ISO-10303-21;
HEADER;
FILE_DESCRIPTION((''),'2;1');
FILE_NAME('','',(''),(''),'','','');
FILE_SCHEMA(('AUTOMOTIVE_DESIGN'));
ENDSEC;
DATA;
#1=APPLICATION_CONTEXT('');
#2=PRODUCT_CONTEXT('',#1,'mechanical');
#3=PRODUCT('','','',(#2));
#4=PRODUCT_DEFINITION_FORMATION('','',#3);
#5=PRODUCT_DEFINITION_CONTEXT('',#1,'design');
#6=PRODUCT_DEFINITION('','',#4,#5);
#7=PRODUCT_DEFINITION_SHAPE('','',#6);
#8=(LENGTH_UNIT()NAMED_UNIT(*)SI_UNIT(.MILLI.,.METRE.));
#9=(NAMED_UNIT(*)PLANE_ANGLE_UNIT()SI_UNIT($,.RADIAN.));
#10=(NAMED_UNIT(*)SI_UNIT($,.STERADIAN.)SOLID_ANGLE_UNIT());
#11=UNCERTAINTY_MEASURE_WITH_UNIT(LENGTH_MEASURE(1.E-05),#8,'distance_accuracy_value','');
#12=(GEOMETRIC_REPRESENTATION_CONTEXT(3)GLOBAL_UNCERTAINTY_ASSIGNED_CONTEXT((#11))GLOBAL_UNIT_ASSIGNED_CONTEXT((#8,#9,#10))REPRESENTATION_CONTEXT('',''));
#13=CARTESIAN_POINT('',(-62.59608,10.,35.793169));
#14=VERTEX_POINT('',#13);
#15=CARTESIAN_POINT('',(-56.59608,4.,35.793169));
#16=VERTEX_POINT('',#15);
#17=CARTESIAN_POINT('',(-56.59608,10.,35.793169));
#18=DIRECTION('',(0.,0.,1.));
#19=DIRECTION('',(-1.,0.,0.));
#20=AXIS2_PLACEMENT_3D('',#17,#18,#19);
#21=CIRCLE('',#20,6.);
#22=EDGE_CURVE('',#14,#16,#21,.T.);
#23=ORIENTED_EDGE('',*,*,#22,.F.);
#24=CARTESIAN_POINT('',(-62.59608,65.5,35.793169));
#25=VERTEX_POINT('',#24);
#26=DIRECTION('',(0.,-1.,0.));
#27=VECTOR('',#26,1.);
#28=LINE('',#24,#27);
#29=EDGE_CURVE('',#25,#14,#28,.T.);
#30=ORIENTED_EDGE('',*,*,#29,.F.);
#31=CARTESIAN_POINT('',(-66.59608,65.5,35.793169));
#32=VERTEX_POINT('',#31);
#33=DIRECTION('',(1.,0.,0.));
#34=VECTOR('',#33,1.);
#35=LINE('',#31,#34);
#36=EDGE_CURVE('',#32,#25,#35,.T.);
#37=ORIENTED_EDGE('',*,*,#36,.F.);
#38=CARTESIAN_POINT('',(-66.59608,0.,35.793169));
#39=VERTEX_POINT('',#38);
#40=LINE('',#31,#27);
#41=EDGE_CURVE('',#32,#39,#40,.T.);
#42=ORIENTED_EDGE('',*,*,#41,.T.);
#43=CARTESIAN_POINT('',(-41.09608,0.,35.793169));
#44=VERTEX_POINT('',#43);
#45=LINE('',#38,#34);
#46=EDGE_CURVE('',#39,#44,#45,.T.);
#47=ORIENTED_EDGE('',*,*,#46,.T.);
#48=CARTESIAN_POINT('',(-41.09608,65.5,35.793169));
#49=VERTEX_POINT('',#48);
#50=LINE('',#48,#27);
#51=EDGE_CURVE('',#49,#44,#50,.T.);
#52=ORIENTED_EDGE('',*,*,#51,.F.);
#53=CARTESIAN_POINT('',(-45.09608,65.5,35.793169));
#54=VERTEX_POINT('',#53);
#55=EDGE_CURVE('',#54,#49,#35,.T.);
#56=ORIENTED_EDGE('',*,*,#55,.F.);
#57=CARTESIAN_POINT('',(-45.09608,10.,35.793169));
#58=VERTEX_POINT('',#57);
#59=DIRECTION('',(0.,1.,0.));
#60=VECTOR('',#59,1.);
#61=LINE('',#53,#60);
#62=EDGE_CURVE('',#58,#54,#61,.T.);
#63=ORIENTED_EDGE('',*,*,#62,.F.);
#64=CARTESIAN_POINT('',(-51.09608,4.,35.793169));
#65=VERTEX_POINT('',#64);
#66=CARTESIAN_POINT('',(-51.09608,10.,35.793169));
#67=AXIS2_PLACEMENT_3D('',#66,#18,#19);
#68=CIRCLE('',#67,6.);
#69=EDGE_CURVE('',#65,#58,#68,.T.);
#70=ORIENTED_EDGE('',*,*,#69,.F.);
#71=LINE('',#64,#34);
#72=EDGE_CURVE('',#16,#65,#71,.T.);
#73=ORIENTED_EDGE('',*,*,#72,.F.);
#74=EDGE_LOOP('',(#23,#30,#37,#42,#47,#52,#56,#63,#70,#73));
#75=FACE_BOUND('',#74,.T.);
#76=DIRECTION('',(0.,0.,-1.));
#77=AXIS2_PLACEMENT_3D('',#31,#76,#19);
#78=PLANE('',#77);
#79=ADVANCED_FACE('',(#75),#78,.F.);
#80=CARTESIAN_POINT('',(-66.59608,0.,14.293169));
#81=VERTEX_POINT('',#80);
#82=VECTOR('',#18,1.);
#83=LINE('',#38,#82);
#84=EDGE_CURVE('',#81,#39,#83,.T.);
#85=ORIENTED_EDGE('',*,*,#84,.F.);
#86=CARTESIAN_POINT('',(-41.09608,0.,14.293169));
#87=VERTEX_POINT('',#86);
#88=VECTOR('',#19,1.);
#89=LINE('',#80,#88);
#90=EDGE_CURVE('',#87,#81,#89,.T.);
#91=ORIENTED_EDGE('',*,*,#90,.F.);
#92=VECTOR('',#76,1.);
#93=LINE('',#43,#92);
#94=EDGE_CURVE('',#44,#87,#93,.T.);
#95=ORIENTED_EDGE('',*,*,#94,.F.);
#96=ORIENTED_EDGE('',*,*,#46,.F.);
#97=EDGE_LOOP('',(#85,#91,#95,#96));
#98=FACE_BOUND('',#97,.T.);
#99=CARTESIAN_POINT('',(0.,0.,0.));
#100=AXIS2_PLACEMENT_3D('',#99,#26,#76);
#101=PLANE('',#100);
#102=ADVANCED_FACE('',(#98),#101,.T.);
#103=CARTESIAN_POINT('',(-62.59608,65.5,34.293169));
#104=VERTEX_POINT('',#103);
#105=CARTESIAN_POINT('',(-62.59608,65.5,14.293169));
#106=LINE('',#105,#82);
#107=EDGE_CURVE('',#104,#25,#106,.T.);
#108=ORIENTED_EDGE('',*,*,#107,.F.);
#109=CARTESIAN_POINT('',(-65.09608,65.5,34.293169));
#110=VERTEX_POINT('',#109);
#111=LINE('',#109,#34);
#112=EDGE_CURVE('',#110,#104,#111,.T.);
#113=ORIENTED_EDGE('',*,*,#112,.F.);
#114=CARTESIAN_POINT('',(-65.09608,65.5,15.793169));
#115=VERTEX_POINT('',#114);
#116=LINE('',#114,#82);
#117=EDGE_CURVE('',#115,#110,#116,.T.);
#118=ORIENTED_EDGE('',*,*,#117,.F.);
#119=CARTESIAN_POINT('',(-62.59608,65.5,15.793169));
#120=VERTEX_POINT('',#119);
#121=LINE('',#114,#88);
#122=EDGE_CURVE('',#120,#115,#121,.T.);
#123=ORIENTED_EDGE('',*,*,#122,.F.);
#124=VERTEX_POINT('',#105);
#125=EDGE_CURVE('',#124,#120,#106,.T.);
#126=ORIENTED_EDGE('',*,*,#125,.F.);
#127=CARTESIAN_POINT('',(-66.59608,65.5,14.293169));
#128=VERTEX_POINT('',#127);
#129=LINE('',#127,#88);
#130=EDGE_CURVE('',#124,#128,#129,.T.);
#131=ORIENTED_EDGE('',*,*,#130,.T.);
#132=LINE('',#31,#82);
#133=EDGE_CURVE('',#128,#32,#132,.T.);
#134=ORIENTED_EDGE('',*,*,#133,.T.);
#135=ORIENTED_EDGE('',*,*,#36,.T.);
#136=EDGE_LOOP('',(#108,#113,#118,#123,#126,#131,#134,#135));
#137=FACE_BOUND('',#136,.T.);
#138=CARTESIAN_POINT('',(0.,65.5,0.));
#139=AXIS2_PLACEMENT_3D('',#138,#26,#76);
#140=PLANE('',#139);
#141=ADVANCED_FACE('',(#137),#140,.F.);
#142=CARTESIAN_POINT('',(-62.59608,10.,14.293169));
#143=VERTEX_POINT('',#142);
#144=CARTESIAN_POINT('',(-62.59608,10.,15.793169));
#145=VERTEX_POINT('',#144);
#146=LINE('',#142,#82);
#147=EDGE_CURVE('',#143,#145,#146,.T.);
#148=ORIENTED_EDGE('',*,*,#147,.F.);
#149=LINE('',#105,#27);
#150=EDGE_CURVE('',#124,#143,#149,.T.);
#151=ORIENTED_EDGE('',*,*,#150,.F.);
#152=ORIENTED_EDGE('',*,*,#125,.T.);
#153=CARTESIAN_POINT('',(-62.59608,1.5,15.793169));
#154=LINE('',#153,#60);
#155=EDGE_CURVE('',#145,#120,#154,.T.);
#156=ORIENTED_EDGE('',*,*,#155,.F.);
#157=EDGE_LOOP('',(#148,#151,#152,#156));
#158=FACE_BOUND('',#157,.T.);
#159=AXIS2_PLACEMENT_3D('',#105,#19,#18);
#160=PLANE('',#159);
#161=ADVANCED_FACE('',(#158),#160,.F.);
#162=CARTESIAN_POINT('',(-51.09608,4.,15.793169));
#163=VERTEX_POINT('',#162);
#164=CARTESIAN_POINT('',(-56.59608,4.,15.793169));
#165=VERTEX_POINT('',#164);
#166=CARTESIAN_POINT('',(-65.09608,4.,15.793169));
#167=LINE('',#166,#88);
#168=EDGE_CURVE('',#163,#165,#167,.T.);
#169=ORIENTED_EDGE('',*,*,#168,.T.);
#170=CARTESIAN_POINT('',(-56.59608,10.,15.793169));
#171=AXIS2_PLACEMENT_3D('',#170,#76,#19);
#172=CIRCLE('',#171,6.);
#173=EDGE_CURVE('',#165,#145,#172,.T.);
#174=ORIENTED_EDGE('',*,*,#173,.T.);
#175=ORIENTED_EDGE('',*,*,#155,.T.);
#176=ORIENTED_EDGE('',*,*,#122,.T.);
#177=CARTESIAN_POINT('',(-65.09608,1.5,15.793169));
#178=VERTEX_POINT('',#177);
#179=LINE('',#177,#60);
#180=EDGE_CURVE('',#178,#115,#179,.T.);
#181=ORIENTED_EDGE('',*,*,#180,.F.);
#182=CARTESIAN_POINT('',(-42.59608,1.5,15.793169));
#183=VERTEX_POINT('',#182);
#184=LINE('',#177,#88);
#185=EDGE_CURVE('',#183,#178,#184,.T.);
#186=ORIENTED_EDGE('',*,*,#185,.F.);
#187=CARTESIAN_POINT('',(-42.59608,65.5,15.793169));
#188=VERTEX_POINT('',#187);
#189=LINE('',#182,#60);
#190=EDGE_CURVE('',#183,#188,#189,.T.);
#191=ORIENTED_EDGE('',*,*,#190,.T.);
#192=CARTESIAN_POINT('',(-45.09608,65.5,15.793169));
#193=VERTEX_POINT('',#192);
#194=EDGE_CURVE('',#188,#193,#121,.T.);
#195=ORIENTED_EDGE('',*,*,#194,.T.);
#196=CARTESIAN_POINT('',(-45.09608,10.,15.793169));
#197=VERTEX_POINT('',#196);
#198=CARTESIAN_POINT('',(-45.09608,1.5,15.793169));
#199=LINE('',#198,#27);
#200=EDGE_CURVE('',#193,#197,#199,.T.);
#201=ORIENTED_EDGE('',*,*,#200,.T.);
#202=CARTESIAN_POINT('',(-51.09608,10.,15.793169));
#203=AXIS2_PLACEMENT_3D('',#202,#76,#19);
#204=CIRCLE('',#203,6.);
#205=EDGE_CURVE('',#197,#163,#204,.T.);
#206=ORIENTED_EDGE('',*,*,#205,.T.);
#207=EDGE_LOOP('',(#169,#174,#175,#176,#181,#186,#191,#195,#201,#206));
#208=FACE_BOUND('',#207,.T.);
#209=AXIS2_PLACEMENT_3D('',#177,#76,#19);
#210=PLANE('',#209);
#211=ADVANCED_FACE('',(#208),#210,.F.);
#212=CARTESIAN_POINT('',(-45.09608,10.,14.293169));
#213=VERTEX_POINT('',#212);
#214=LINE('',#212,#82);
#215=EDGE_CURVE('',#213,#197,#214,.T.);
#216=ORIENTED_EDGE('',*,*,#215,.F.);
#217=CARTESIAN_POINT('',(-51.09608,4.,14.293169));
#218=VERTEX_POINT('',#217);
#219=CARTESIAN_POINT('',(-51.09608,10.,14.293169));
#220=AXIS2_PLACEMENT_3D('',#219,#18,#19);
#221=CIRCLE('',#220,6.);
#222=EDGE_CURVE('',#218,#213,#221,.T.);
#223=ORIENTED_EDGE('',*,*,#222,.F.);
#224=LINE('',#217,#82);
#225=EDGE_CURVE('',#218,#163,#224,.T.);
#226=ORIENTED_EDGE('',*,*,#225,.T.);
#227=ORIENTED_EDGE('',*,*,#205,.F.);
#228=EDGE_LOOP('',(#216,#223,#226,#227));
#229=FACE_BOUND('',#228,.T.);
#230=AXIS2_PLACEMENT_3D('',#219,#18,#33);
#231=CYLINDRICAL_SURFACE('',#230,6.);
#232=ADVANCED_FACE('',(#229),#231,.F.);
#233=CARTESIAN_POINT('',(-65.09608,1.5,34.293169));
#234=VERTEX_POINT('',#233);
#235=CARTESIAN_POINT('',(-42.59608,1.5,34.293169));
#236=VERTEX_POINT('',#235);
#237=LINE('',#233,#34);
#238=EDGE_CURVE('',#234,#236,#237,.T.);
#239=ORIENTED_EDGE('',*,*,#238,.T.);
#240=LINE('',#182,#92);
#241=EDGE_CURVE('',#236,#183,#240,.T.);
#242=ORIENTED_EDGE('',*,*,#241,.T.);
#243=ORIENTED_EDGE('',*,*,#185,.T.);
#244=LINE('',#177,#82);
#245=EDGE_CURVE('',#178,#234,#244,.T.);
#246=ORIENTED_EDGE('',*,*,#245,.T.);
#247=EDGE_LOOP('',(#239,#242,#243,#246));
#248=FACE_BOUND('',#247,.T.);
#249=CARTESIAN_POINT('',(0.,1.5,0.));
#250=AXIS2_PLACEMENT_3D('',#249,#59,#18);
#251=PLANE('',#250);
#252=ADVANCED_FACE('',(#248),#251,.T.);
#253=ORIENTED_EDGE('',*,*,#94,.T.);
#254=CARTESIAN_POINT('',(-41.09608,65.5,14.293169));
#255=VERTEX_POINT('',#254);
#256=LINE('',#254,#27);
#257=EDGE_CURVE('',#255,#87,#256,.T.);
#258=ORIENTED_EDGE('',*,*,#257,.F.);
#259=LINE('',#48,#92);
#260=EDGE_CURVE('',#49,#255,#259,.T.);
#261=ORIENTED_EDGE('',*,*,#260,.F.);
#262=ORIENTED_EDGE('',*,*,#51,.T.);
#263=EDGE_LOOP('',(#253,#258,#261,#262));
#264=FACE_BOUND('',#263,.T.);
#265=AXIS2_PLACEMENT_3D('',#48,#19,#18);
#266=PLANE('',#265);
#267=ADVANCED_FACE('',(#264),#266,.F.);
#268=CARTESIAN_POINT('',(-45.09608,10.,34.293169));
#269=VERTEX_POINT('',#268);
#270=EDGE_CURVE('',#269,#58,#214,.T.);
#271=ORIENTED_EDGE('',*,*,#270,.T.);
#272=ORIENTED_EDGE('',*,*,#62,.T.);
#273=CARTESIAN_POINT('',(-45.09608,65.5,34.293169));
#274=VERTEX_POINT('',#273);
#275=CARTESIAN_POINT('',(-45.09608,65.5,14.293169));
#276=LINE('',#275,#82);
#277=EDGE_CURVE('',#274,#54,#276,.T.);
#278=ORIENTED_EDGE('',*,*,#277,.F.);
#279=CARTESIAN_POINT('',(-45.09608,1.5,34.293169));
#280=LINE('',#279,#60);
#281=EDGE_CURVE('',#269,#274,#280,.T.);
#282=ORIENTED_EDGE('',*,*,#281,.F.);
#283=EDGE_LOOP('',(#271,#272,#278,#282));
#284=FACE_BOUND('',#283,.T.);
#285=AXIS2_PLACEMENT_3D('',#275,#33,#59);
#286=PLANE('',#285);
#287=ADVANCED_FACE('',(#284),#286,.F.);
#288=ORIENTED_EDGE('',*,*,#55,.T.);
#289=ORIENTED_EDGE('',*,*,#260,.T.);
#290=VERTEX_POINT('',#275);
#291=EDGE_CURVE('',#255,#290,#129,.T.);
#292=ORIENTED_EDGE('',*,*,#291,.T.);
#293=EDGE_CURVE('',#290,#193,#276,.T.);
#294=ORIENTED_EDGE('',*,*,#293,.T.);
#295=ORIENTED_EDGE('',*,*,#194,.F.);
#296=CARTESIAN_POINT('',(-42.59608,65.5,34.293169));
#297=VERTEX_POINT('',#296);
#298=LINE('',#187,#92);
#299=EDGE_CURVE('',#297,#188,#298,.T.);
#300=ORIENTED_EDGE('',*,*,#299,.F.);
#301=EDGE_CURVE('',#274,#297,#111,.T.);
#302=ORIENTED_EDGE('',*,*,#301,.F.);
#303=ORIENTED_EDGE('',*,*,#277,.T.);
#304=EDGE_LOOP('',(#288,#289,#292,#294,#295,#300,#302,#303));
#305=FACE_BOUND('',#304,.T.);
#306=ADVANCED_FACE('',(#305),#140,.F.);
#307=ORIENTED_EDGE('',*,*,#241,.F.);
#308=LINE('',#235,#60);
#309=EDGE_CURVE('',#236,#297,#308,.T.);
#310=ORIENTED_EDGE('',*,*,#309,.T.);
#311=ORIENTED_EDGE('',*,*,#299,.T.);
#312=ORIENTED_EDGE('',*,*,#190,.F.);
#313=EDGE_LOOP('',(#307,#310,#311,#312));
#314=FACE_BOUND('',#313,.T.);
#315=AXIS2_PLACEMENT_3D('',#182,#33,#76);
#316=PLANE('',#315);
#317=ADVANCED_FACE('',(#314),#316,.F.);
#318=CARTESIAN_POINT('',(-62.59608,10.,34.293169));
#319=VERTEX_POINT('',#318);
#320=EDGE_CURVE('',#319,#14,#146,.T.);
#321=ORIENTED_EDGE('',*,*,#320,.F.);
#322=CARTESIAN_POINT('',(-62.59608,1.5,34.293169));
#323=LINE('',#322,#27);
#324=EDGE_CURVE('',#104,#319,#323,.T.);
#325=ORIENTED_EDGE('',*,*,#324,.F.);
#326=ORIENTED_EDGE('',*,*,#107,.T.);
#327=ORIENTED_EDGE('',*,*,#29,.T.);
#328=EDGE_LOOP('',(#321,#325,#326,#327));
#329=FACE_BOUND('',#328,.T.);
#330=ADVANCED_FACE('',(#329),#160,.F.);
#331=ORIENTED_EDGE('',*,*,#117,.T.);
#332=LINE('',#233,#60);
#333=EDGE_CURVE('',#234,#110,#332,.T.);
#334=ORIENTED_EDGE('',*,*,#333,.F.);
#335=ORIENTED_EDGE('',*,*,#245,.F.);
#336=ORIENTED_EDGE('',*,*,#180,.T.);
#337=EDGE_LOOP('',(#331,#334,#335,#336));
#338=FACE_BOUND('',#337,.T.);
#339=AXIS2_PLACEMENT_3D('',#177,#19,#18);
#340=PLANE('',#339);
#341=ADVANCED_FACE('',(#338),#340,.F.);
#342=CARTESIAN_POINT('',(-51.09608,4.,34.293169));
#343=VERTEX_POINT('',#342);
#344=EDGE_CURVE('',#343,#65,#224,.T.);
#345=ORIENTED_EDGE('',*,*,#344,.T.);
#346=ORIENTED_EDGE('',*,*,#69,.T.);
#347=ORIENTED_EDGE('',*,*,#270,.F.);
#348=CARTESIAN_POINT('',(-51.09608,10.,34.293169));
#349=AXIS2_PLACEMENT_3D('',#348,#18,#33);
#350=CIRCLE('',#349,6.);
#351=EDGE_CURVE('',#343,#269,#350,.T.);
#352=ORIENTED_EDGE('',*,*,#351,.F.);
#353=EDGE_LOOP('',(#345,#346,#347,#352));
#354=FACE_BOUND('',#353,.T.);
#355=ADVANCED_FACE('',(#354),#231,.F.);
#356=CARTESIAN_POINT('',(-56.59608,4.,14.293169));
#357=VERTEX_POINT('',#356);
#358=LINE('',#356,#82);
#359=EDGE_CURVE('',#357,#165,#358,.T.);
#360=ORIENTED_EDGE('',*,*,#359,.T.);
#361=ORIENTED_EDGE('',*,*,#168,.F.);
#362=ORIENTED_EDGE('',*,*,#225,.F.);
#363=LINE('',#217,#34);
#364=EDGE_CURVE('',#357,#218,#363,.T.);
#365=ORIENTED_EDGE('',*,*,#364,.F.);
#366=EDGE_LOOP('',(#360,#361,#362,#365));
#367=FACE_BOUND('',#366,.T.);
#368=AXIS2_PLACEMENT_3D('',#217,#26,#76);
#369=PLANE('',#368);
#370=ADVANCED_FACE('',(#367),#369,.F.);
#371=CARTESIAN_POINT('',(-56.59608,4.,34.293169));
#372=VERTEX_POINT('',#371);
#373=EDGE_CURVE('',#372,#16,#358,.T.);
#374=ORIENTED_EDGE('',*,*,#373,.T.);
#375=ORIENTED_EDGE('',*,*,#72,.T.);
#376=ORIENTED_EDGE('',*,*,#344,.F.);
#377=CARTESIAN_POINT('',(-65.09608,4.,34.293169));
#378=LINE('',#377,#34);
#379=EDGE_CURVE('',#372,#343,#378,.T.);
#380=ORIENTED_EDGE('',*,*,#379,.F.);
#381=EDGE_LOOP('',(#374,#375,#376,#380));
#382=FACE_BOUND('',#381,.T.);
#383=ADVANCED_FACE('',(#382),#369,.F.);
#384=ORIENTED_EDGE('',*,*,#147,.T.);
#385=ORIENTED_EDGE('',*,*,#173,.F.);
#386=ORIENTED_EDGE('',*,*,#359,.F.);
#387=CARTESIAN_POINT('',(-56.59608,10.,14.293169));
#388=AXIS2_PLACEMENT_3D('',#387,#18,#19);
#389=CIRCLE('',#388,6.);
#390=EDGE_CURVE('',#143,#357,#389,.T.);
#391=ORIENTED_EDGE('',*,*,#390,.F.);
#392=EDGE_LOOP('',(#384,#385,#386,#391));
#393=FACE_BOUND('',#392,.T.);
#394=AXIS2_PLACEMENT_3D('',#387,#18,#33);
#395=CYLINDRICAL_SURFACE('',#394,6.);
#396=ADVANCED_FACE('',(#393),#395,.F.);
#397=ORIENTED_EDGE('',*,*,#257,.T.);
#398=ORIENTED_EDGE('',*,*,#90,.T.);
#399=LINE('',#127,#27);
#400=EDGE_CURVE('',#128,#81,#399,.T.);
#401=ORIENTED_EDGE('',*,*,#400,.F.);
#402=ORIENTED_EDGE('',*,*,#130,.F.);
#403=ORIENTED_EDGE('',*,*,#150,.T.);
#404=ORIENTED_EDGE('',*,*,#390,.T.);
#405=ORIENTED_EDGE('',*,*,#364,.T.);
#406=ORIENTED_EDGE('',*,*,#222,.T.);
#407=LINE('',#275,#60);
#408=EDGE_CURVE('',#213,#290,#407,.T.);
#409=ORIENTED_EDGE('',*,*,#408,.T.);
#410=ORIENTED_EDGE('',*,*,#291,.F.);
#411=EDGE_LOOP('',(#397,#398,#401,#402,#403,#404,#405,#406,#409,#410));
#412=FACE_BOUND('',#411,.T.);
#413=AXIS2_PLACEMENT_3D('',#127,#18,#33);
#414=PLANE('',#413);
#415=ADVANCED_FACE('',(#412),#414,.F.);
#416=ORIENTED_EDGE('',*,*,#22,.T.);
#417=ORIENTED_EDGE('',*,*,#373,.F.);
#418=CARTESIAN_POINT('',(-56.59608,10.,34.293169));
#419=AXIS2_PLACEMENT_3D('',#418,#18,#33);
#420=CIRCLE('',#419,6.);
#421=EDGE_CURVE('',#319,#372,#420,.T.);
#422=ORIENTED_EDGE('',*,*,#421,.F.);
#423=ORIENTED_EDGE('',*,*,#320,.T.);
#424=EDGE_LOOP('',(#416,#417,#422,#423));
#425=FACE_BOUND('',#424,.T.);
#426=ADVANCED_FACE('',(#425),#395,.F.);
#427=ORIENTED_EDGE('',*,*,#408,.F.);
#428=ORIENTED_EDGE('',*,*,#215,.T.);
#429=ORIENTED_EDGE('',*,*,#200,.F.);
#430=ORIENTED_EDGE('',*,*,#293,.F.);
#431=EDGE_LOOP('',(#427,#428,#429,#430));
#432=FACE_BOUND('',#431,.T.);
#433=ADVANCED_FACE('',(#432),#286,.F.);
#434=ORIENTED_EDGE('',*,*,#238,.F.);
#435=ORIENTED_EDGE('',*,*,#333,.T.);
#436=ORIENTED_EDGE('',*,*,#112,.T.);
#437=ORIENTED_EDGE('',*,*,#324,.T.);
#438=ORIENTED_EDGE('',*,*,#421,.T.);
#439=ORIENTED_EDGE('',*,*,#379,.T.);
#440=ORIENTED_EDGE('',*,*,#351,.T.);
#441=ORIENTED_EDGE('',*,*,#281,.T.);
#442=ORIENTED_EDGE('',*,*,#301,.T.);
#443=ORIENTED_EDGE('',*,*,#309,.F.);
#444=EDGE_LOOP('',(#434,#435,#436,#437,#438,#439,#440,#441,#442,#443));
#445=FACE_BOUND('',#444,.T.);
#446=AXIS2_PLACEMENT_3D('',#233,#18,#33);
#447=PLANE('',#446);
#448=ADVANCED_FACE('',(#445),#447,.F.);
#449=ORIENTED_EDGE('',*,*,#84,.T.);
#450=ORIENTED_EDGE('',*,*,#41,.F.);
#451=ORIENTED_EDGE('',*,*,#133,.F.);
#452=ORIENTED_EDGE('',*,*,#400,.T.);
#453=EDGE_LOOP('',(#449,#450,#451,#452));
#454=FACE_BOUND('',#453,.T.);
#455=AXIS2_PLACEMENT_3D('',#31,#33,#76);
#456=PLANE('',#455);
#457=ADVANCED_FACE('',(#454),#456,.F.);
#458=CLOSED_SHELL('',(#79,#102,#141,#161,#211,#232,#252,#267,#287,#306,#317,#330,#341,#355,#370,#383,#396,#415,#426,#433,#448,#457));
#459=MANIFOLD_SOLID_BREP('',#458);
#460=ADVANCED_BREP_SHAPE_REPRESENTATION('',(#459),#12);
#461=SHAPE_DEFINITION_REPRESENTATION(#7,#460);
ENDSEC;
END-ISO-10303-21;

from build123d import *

# Parameters (mm, degrees)
SKETCH1_W           = 25.5
SKETCH1_H           = 21.5
BOSS_EXTRUDE1_DEPTH = 65.5
SKETCH2_W           = 22.5
SKETCH2_H           = 18.5
CUT_EXTRUDE1_DEPTH  = 64
CUT_EXTRUDE2_DEPTH  = 21.5


with BuildPart() as part:
    # Sketch1 → Boss-Extrude1 (new body)
    with BuildSketch(Plane(origin=(0, 0, 0), x_dir=(1, 0, 0), z_dir=(0, 1, 0))):
        with Locations((-53.846079549, -25.043168737)):
            Rectangle(SKETCH1_W, SKETCH1_H)
    extrude(amount=BOSS_EXTRUDE1_DEPTH)

    # Sketch2 → Cut-Extrude1 (cut)
    with BuildSketch(Plane(origin=(0, 65.5, 0), x_dir=(1, 0, 0), z_dir=(0, 1, 0))):
        with Locations((-53.846079549, -25.043168737)):
            Rectangle(SKETCH2_W, SKETCH2_H)
    extrude(amount=-CUT_EXTRUDE1_DEPTH, mode=Mode.SUBTRACT)

    # Sketch5 → Cut-Extrude2 (cut)
    with BuildSketch(Plane.XY.offset(35.793168737)):
        with BuildLine():
            Line((-45.096079549, 65.5), (-62.596079549, 65.5))
            Line((-62.596079549, 65.5), (-62.596079549, 10))
            ThreePointArc((-62.596079549, 10), (-60.838720236, 5.757359313), (-56.596079549, 4))
            Line((-56.596079549, 4), (-51.096079549, 4))
            ThreePointArc((-51.096079549, 4), (-46.853438862, 5.757359313), (-45.096079549, 10))
            Line((-45.096079549, 10), (-45.096079549, 65.5))
        make_face()
    extrude(amount=-CUT_EXTRUDE2_DEPTH, mode=Mode.SUBTRACT)


solid = part.part
